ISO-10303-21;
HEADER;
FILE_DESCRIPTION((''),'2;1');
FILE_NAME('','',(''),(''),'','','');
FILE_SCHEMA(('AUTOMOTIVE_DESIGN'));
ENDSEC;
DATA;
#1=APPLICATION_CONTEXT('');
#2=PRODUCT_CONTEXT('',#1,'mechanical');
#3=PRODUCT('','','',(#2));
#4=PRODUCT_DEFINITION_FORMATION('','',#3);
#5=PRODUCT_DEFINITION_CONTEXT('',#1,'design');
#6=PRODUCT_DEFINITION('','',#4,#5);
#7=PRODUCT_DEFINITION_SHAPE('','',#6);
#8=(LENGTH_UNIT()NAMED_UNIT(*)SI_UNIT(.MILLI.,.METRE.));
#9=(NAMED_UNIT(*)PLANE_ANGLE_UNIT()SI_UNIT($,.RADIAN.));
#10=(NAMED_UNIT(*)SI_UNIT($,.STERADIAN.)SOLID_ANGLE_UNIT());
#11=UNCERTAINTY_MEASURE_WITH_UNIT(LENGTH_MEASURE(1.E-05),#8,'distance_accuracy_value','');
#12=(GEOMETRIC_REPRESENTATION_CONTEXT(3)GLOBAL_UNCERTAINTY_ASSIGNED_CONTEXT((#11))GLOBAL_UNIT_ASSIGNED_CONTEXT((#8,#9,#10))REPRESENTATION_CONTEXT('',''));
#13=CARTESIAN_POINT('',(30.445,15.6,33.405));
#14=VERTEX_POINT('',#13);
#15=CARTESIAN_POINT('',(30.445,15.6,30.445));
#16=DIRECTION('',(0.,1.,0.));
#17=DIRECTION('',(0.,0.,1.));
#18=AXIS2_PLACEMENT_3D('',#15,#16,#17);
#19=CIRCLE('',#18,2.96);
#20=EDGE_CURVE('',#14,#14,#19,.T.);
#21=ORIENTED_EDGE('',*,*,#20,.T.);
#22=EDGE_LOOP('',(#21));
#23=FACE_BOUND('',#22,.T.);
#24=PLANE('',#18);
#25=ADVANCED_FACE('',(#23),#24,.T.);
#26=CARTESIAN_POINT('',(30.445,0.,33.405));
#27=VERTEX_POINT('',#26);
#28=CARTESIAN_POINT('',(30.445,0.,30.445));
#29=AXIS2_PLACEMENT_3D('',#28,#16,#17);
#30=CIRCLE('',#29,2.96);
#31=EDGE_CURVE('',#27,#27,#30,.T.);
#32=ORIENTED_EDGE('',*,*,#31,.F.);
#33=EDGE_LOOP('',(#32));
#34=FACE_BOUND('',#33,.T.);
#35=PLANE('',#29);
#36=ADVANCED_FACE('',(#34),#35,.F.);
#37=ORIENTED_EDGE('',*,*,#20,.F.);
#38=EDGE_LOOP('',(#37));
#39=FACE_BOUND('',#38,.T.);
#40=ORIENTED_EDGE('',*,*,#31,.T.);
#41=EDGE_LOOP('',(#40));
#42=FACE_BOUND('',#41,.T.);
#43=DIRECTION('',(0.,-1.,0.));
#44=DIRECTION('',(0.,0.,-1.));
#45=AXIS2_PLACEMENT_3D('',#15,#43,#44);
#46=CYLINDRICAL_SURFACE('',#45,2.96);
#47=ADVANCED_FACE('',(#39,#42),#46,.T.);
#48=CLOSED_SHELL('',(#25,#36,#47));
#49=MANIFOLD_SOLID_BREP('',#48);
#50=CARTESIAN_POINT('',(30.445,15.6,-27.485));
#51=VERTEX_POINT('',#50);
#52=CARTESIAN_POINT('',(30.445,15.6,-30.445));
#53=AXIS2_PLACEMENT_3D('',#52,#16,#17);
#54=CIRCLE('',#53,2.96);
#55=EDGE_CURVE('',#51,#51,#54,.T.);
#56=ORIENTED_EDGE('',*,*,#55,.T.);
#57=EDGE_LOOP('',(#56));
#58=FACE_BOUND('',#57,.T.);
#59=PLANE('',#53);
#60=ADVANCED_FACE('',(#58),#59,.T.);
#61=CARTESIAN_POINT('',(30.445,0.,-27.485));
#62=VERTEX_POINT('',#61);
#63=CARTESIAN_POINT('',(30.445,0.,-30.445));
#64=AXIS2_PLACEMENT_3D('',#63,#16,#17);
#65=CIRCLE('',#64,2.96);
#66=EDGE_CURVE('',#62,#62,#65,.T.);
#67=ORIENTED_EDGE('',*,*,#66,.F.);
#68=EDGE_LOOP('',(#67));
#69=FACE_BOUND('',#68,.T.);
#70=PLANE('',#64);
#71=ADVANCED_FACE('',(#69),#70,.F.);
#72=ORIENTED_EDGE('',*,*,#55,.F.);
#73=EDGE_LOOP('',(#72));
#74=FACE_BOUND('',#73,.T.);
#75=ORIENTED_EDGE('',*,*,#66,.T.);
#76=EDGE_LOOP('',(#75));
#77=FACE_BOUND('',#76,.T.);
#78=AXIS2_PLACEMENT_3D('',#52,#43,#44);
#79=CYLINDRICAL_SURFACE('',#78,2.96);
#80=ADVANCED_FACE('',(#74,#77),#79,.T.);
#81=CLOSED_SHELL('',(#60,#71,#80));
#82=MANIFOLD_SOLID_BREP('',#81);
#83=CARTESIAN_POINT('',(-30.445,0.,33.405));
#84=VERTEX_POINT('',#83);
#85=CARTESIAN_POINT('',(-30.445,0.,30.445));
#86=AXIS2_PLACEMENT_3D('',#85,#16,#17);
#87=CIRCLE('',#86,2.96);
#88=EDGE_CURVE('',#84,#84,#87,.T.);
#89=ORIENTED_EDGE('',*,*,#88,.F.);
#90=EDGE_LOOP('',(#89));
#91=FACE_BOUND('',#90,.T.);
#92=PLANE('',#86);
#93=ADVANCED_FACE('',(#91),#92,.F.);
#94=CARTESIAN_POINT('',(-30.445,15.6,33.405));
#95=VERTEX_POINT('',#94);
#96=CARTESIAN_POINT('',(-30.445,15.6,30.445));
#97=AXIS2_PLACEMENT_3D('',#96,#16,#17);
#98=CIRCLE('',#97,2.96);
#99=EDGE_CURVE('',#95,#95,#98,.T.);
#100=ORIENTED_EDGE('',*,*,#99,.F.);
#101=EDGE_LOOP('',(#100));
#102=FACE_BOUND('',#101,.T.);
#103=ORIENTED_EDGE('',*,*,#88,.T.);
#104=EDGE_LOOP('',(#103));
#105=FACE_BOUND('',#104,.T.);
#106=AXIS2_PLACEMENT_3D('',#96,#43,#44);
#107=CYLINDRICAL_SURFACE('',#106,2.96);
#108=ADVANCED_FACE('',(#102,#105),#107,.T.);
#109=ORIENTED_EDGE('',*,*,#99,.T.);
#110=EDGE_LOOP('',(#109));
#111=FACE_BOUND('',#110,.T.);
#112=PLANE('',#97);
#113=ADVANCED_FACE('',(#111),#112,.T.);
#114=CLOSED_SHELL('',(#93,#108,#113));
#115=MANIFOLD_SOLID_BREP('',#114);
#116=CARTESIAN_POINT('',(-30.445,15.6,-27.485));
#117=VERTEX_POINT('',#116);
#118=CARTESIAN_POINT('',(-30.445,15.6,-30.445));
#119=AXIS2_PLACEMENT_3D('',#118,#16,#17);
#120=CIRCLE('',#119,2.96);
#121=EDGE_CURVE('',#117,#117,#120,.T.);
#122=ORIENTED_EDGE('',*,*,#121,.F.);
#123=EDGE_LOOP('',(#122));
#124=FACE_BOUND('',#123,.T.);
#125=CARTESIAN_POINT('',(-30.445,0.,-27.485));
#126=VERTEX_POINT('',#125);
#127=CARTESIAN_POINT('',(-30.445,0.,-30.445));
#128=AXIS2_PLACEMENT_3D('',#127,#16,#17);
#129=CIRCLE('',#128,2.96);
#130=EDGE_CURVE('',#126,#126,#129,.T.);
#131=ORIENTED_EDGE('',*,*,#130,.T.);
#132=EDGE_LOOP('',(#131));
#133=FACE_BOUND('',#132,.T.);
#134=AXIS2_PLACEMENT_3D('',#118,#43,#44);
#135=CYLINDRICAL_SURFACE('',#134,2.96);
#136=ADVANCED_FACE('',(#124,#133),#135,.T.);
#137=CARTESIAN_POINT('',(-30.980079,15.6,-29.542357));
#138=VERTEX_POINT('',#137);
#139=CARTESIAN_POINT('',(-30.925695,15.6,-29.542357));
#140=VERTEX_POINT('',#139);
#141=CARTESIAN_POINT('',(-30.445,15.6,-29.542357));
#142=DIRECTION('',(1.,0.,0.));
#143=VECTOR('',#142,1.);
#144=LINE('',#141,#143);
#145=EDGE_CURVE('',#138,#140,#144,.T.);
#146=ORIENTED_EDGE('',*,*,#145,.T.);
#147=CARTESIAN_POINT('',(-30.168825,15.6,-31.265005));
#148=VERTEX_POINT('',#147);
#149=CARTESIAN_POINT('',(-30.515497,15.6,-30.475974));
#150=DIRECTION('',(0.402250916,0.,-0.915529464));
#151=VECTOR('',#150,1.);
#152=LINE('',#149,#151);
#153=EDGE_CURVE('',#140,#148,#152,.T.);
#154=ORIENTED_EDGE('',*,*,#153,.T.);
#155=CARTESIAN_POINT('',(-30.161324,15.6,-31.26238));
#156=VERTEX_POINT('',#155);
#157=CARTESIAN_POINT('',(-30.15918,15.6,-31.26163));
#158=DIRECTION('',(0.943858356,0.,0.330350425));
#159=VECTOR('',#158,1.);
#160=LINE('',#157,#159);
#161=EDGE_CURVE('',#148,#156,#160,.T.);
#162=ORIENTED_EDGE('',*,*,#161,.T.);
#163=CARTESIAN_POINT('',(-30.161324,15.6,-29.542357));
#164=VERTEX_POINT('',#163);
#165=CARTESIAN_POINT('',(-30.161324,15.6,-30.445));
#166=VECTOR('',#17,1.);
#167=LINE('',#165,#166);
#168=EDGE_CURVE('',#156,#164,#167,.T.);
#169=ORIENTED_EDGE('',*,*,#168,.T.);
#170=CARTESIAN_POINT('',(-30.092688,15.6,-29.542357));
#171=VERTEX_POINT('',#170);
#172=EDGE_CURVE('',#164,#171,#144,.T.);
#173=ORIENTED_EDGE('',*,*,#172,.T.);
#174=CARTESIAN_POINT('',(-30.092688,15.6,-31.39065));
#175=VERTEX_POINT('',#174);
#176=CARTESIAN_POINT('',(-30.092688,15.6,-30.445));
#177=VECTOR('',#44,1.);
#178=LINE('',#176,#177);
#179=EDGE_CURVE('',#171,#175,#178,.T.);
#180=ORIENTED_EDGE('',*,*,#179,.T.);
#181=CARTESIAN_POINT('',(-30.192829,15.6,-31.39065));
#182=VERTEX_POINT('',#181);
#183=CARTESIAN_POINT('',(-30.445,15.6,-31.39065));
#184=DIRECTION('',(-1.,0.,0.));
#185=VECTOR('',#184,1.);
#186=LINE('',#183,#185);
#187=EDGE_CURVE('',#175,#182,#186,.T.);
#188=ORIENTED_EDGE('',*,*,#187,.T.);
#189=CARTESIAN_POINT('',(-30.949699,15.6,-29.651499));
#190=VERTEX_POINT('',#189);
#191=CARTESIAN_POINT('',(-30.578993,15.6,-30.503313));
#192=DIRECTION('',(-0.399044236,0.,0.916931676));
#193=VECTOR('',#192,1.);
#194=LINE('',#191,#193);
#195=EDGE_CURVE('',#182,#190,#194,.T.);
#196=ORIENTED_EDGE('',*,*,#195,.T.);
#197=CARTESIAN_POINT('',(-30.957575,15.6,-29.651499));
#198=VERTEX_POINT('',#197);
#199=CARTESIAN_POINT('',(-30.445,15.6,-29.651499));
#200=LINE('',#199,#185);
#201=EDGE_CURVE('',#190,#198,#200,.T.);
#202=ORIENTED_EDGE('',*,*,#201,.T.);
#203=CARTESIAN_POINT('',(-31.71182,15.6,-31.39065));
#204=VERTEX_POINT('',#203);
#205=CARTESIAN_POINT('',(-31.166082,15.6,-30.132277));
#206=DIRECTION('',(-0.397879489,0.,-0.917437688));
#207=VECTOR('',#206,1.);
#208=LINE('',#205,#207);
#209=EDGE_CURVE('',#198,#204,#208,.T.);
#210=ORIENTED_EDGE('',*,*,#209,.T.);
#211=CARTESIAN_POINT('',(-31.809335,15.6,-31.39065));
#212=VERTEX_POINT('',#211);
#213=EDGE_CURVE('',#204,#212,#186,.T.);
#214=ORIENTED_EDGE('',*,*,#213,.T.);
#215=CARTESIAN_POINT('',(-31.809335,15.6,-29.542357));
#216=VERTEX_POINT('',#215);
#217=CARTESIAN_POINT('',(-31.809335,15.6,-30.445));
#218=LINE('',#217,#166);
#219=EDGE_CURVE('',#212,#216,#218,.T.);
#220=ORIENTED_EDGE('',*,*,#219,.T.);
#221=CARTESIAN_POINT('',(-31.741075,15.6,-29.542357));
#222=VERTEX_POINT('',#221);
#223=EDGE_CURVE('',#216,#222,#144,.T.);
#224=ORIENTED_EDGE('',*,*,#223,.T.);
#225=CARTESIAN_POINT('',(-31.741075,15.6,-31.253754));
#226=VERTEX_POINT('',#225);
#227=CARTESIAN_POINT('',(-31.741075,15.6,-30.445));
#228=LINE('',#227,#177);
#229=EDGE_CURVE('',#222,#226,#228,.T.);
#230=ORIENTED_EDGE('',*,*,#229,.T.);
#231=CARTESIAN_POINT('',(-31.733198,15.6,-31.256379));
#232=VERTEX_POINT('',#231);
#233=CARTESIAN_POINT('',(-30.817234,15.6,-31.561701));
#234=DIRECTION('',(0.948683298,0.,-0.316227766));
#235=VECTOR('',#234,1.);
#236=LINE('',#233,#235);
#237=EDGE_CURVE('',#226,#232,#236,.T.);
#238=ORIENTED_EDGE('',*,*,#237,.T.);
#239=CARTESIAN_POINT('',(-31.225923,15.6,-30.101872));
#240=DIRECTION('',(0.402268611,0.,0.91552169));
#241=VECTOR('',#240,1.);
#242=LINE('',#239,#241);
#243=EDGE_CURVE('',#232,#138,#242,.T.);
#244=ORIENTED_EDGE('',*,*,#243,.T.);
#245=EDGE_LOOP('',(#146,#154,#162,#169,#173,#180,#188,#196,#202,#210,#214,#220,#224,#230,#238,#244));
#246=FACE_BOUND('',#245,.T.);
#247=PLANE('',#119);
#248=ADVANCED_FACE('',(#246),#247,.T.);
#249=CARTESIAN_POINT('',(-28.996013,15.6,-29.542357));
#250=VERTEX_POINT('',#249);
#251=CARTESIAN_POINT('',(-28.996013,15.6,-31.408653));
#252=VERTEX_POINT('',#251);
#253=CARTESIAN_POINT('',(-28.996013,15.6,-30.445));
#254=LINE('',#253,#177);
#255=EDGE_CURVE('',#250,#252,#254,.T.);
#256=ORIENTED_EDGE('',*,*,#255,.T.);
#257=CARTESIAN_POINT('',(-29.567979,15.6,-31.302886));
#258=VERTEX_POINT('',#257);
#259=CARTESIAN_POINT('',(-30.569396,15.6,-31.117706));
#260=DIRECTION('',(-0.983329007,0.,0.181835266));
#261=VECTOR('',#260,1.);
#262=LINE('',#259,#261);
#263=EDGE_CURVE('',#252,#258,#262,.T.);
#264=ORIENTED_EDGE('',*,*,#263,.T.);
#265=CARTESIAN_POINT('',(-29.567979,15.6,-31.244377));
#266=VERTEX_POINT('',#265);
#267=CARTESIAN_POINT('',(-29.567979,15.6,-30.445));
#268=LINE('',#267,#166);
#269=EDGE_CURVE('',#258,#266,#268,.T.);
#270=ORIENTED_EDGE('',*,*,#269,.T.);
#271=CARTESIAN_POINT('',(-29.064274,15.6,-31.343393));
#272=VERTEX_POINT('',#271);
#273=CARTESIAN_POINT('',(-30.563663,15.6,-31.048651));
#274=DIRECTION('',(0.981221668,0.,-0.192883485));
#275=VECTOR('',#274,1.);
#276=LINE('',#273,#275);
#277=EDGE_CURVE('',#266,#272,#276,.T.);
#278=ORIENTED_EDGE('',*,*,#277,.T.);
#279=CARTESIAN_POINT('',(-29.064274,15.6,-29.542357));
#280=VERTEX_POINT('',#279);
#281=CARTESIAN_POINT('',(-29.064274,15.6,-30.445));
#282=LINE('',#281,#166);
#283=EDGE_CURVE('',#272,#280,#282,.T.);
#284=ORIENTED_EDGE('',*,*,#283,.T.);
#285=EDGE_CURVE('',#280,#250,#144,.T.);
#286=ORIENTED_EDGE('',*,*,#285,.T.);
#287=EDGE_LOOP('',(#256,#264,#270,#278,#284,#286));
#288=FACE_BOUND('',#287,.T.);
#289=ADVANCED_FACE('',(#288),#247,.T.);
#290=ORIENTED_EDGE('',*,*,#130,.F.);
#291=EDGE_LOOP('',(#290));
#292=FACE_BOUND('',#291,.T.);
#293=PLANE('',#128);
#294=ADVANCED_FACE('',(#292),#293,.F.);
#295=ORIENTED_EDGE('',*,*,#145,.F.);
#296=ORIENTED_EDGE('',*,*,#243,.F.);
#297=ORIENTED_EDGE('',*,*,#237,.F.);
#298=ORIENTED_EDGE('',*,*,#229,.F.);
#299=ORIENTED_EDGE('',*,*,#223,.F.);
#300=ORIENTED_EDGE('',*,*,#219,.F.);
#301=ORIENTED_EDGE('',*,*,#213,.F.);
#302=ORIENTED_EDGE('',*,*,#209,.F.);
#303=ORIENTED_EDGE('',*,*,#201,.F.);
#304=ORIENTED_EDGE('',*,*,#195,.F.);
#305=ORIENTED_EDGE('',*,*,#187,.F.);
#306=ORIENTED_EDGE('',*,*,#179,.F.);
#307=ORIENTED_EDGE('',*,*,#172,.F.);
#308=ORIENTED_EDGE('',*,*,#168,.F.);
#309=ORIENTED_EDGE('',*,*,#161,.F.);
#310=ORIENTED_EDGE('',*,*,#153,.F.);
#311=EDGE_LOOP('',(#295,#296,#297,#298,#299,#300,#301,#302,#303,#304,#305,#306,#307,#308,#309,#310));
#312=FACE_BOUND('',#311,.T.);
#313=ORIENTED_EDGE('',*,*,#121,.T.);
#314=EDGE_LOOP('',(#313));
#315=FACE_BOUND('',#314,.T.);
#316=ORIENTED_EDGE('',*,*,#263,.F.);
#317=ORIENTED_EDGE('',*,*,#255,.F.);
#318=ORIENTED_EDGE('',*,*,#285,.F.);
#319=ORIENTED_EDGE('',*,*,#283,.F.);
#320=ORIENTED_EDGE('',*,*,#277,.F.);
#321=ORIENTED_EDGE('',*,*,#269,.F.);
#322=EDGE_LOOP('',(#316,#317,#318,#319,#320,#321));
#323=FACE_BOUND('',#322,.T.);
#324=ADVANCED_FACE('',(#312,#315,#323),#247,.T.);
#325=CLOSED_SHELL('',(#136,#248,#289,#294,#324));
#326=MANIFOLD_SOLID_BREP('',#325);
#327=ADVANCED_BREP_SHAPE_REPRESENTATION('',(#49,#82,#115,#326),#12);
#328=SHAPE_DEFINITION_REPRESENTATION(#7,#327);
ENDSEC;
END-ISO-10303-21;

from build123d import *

# Parameters (mm, degrees)
SKETCH1_R             = 2.96
BOSS_EXTRUDE1_DEPTH   = 15.6
BOSS_EXTRUDE1_2_DEPTH = 15.6
BOSS_EXTRUDE1_3_DEPTH = 15.6
BOSS_EXTRUDE1_4_DEPTH = 15.6


with BuildPart() as part:
    # Sketch1 → Boss-Extrude1 (new body)
    with BuildSketch(Plane(origin=(0, 0, 0), x_dir=(1, 0, 0), z_dir=(0, 1, 0))):
        with Locations(Location((-30.445, 30.445, 0), (0, 0, 270))):
            Circle(SKETCH1_R)
    extrude(amount=BOSS_EXTRUDE1_DEPTH)


with BuildPart() as body_2:
    # Sketch1 → Boss-Extrude1 2 (new body)
    with BuildSketch(Plane(origin=(0, 0, 0), x_dir=(1, 0, 0), z_dir=(0, 1, 0))):
        with Locations(Location((30.445, 30.445, 0), (0, 0, 270))):
            Circle(SKETCH1_R)
    extrude(amount=BOSS_EXTRUDE1_2_DEPTH)


with BuildPart() as body_3:
    # Sketch1 → Boss-Extrude1 3 (new body)
    with BuildSketch(Plane(origin=(0, 0, 0), x_dir=(1, 0, 0), z_dir=(0, 1, 0))):
        with Locations(Location((30.445, -30.445, 0), (0, 0, 270))):
            Circle(SKETCH1_R)
    extrude(amount=BOSS_EXTRUDE1_3_DEPTH)


with BuildPart() as body_4:
    # Sketch1 → Boss-Extrude1 4 (new body)
    with BuildSketch(Plane(origin=(0, 0, 0), x_dir=(1, 0, 0), z_dir=(0, 1, 0))):
        with Locations(Location((-30.445, -30.445, 0), (0, 0, 270))):
            Circle(SKETCH1_R)
    extrude(amount=BOSS_EXTRUDE1_4_DEPTH)


solid = Compound([part.part, body_2.part, body_3.part, body_4.part])
